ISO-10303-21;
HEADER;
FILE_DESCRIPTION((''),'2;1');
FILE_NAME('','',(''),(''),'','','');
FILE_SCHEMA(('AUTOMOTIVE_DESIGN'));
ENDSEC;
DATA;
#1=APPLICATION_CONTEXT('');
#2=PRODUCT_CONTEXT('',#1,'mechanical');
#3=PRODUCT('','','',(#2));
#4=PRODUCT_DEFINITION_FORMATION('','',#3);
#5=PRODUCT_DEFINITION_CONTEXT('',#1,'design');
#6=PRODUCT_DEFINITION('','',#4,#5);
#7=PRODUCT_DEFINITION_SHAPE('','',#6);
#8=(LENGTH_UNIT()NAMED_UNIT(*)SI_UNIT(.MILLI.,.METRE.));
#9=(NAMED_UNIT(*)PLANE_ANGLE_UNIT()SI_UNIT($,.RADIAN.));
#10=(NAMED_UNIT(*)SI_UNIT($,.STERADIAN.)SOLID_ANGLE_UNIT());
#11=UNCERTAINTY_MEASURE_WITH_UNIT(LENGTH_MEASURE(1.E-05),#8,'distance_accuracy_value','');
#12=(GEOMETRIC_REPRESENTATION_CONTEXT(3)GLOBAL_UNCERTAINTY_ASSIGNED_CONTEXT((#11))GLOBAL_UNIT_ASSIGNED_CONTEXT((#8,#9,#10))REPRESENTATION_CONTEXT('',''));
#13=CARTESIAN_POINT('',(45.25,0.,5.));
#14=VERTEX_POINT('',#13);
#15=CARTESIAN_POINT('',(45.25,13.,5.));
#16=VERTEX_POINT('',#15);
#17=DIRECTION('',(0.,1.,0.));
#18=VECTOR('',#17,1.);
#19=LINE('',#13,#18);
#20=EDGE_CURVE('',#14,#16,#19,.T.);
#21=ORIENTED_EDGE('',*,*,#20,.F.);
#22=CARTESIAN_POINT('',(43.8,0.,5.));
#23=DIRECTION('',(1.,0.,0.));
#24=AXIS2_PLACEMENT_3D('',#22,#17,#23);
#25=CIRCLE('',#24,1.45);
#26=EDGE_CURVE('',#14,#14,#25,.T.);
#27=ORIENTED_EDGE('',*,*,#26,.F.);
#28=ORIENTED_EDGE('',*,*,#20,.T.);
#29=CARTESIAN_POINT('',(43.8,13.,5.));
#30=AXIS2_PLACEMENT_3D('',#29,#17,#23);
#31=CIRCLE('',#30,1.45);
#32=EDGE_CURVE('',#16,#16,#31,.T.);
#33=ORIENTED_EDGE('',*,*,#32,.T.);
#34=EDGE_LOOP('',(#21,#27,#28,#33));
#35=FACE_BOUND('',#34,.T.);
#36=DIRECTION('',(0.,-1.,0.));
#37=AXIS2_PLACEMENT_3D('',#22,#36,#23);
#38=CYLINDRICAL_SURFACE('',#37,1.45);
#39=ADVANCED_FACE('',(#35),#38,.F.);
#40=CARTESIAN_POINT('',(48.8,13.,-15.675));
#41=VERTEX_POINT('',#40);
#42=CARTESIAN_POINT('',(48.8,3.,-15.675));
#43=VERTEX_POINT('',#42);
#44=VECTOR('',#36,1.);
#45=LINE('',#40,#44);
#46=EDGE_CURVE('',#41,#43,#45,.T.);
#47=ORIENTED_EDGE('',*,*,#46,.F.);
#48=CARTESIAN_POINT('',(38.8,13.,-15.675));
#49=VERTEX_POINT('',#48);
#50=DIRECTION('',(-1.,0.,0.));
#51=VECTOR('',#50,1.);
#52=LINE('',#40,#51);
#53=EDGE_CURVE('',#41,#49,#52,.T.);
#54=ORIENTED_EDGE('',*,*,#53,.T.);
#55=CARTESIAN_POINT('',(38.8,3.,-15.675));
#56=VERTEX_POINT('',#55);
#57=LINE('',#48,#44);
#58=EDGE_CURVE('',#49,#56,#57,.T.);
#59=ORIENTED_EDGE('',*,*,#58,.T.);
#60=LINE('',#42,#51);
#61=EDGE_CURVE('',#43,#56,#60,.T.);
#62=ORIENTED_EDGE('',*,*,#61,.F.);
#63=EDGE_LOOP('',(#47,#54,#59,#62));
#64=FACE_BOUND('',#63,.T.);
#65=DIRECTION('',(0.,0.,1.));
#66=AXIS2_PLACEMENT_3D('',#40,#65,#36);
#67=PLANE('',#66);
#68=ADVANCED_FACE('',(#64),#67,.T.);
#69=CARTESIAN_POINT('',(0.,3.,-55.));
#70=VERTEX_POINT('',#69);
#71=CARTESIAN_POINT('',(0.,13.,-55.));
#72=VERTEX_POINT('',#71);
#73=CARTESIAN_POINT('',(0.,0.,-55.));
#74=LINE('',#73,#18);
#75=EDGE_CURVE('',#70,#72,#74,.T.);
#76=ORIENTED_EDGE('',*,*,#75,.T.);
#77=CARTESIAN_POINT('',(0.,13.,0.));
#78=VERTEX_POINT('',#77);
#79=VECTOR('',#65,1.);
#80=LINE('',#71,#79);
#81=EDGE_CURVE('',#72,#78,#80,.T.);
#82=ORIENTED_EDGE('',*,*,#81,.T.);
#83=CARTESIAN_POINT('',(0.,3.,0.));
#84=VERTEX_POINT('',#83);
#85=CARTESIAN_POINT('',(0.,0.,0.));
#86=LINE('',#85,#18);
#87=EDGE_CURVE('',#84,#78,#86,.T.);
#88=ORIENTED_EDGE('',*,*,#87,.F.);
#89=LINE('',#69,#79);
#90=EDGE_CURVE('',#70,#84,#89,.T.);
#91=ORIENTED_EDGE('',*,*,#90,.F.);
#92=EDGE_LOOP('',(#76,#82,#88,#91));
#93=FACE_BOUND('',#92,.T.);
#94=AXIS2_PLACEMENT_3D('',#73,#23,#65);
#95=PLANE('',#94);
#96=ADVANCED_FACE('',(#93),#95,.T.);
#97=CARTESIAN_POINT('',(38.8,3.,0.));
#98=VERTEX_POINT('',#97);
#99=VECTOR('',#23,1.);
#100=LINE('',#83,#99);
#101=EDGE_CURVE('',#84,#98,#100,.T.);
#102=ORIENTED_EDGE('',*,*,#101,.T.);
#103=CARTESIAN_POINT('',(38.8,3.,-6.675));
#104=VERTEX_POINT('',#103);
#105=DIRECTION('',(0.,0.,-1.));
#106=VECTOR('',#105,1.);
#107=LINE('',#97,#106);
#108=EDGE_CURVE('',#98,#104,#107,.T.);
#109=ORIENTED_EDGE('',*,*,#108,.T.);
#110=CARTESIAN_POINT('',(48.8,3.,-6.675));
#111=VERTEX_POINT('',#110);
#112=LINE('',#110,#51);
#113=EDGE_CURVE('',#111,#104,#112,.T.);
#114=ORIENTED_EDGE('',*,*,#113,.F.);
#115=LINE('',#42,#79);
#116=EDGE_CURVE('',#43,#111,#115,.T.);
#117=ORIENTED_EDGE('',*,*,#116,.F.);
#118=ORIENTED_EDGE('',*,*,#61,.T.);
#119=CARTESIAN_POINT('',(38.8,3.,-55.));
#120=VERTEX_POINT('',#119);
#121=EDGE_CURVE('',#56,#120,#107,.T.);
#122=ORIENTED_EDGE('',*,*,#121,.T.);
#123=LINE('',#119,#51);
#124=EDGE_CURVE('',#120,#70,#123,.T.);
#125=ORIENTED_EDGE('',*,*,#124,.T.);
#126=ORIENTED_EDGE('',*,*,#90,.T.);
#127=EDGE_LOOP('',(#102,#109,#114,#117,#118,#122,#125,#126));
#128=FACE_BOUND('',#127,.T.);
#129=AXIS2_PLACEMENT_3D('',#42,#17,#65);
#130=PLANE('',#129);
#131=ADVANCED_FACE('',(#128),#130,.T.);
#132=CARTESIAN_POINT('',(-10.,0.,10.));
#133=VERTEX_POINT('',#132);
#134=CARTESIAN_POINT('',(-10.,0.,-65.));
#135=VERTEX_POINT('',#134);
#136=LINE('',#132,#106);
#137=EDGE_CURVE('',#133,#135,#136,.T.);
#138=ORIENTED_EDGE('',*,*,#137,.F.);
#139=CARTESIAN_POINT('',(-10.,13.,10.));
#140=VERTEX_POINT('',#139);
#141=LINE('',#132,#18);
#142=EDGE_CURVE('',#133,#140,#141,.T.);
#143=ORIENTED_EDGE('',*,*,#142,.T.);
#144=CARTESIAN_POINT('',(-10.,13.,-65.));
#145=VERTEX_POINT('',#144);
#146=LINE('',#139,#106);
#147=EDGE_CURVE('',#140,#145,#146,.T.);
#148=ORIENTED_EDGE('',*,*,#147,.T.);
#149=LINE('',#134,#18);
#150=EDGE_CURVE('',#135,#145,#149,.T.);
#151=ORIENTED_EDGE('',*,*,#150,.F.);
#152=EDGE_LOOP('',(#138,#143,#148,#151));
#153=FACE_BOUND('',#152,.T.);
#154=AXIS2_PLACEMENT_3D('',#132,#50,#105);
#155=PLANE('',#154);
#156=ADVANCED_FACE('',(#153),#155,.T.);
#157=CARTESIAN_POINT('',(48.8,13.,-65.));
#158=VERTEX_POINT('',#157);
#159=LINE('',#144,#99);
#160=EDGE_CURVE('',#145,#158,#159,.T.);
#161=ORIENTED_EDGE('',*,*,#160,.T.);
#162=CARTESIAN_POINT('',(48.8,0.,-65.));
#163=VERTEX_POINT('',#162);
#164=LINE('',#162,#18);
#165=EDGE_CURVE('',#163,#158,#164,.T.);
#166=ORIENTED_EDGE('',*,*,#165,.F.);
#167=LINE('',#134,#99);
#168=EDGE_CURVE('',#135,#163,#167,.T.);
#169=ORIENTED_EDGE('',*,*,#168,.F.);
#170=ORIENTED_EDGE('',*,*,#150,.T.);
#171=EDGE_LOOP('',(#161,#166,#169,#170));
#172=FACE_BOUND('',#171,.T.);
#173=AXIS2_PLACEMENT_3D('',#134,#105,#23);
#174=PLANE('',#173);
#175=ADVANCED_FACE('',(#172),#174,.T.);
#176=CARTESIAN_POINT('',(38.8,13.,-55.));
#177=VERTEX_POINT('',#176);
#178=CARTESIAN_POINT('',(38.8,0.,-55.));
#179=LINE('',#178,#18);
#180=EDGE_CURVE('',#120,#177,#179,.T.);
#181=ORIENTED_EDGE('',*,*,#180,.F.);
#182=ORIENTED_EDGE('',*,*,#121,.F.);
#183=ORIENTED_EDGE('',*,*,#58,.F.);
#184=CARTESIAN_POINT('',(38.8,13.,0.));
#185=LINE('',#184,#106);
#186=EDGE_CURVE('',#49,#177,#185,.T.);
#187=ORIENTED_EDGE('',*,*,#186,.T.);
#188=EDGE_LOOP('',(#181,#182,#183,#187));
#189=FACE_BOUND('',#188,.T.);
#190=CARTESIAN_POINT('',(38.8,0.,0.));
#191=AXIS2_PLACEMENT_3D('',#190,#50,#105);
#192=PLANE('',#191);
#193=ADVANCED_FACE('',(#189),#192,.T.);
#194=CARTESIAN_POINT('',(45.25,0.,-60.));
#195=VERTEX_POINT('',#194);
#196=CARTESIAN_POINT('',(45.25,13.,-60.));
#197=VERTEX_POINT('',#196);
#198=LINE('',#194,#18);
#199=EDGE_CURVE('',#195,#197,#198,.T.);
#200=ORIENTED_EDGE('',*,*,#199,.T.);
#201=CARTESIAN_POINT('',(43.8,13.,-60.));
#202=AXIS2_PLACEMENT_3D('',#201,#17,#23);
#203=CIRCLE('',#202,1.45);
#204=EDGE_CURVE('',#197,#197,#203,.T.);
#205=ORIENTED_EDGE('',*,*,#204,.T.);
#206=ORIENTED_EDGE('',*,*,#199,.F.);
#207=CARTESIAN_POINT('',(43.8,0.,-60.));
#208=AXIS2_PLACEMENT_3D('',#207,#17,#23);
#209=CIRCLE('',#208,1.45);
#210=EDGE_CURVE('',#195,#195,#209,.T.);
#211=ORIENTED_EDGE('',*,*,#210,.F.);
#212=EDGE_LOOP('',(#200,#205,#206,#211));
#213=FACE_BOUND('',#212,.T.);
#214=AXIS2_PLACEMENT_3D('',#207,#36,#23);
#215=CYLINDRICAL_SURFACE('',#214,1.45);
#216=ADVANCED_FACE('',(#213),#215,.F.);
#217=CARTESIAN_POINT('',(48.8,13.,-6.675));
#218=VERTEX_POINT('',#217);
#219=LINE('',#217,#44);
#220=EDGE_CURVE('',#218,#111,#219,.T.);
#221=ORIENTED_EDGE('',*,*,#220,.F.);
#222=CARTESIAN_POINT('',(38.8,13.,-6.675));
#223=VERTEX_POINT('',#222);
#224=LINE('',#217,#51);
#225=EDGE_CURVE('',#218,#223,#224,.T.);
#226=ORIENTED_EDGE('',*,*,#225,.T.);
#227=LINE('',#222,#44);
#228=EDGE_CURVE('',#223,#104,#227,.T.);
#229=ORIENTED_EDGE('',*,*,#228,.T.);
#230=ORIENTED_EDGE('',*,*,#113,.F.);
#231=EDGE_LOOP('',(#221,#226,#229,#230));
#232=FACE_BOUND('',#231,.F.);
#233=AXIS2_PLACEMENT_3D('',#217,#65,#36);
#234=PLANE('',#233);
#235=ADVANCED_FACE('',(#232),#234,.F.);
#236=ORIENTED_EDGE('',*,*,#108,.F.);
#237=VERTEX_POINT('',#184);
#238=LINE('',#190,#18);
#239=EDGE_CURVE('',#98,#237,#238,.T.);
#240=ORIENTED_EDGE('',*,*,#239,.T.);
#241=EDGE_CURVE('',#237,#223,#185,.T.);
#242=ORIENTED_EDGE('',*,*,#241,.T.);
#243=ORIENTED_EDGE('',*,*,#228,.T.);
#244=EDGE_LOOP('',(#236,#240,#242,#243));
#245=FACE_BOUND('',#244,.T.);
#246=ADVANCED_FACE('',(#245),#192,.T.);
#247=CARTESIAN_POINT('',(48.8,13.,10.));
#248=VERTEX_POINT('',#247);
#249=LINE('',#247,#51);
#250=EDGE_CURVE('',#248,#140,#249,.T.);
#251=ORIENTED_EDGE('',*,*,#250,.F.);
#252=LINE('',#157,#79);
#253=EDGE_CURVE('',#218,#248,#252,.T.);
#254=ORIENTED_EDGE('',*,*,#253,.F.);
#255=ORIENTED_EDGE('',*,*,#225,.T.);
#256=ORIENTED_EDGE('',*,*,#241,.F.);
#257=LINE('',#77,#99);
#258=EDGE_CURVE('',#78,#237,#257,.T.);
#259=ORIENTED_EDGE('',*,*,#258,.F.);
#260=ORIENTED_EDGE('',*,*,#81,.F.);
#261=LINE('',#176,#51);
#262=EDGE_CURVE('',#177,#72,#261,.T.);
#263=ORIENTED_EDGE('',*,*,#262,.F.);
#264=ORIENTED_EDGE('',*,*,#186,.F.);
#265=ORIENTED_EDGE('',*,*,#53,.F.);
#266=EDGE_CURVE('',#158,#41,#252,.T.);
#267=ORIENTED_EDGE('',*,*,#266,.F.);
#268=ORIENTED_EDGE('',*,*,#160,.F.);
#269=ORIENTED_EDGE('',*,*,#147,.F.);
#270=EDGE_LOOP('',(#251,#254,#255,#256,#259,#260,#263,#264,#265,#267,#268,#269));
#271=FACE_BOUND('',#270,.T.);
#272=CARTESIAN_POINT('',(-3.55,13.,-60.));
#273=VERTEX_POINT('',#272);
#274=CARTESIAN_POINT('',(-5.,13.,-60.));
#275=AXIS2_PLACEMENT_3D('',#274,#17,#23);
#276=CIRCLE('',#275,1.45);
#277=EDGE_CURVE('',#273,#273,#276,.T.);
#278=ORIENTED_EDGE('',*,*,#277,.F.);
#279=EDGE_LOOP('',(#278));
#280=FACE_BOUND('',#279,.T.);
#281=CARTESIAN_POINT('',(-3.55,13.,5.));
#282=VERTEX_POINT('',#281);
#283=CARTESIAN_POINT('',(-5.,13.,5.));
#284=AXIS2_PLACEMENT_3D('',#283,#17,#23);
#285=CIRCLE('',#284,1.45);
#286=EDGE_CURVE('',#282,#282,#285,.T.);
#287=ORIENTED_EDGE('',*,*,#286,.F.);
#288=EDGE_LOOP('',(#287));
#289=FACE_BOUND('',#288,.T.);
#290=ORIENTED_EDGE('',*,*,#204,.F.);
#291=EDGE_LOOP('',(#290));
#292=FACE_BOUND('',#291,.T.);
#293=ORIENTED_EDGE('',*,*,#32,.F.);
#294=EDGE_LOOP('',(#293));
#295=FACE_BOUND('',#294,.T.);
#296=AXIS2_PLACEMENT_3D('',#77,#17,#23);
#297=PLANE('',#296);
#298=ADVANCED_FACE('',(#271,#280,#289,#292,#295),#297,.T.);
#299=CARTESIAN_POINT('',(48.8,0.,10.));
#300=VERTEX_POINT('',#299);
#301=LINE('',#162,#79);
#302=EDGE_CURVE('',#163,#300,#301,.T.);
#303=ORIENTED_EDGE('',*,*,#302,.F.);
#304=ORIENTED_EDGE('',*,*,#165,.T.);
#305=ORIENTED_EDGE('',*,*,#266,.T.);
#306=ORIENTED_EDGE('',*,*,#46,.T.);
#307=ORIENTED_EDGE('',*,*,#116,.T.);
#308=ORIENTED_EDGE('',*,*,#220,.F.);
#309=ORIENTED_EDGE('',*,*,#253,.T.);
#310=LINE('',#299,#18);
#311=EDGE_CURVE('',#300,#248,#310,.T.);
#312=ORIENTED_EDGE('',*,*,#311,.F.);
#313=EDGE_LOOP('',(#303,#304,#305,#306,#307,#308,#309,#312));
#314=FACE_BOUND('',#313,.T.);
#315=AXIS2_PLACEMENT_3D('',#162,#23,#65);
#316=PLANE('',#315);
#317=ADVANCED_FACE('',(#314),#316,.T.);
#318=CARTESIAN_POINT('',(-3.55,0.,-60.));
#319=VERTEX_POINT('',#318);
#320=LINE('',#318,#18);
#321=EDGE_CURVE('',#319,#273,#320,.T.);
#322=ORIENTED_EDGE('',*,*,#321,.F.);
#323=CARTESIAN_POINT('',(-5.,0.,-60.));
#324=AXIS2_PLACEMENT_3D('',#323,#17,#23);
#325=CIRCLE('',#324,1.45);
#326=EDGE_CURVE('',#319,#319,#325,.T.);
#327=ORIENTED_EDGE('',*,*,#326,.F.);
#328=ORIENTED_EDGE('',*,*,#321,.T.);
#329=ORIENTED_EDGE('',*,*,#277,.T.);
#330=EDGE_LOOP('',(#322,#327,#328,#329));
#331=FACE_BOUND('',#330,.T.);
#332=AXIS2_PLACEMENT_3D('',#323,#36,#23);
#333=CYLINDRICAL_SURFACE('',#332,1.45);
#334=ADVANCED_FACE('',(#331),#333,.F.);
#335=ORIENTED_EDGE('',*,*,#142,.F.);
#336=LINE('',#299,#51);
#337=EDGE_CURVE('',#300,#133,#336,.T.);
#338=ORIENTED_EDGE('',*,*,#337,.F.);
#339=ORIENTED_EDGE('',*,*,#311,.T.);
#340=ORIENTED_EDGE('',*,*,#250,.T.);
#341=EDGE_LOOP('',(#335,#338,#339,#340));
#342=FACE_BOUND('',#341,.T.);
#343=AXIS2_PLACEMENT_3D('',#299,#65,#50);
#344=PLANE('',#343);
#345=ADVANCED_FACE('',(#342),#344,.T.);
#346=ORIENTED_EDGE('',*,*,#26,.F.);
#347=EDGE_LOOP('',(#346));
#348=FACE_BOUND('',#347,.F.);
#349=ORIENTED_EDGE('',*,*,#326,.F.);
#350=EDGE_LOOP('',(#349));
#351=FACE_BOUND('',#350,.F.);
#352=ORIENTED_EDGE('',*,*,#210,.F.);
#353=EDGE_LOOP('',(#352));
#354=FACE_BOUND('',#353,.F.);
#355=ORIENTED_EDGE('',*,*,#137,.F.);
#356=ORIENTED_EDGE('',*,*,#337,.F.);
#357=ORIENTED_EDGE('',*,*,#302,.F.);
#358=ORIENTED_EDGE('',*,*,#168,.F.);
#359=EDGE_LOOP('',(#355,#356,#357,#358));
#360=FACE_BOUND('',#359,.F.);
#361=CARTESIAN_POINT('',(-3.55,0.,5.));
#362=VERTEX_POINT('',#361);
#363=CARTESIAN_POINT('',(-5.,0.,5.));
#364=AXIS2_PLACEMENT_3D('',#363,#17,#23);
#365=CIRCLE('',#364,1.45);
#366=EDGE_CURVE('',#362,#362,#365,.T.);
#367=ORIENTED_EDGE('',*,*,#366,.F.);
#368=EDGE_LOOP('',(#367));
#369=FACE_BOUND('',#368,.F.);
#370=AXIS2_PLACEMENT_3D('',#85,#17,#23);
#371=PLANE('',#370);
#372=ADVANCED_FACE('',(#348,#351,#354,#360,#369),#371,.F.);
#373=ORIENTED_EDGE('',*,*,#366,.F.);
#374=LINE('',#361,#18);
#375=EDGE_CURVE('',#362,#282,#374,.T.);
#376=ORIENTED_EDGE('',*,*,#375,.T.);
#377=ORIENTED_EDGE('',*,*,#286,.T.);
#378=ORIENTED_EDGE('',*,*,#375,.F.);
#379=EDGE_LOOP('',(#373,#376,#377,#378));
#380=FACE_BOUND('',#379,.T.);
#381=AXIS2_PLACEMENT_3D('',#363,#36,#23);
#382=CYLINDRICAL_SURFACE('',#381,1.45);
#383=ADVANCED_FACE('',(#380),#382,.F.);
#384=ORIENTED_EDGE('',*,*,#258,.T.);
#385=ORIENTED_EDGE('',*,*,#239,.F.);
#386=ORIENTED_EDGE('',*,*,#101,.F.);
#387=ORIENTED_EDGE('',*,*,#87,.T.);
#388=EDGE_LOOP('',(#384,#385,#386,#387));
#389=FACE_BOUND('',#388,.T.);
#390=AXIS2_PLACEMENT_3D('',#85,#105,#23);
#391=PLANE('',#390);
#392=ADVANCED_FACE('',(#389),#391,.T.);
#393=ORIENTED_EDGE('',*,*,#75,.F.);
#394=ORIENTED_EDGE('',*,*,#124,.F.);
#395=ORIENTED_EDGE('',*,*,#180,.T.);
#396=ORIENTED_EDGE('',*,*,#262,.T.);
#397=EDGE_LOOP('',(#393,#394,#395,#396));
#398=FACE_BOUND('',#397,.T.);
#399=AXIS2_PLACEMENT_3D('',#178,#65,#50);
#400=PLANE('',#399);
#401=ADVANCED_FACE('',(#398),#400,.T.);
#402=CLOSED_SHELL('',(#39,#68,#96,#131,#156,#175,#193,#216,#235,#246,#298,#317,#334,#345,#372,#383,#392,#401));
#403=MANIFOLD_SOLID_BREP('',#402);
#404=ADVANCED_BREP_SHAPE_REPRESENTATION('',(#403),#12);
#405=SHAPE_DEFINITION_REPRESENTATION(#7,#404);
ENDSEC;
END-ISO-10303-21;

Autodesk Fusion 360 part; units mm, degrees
sketch "Sketch1" plane through (0, 0, 0) normal (0, 1, 0) x (1, 0, 0)
  line L0 (0, 0) -> (38.8, 0)
  line L1 (38.8, 0) -> (38.8, 55)
  line L2 (38.8, 55) -> (0, 55)
  line L3 (0, 55) -> (0, 0)
  line L4 (-10, 65) -> (48.8, 65)
  line L5 (48.8, 65) -> (48.8, -10)
  line L6 (48.8, -10) -> (-10, -10)
  line L7 (-10, -10) -> (-10, 65)
  circle A0 centre (-5, 60) radius 1.45
  circle A1 centre (43.8, 60) radius 1.45
  circle A2 centre (-5, -5) radius 1.45
  circle A3 centre (43.8, -5) radius 1.45
  dimension "d1" = 55
  dimension "d2" = 38.8
  dimension "d3" = 10
  dimension "d4" = 10
  dimension "d5" = 10
  dimension "d6" = 10
  dimension "d7" = 2.9
  dimension "d8" = 2.9
  dimension "d9" = 2.9
  dimension "d10" = 2.9
  dimension "d11" = 5
  dimension "d12" = 5
  dimension "d13" = 5
  dimension "d14" = 5
  dimension "d15" = 5
  dimension "d16" = 5
  dimension "d17" = 5
  dimension "d18" = 5
extrude "Extrude1" add sketch "Sketch1" along normal blind 3 contours L0 L1 L2 L3
extrude "Extrude2" add sketch "Sketch1" along normal blind 13
sketch "Sketch2" plane through (48.8, 0, 0) normal (1, 0, 0) x (0, 0, -1)
  line L0 (-10, 0) -> (65, 0)
  line L1 (65, 0) -> (65, 13)
  line L2 (65, 13) -> (-10, 13)
  line L3 (-10, 13) -> (-10, 0)
  line L4 (-10, 13) -> (0, 13)
  line L5 (0, 0) -> (-10, 0)
  line L6 (-10, 0) -> (-10, 13)
  line L7 (0, 13) -> (6.675, 13)
  line L8 (6.675, 13) -> (6.675, 0)
  line L9 (6.675, 0) -> (0, 0)
  line L10 (6.675, 13) -> (15.675, 13)
  line L11 (15.675, 13) -> (15.675, 3)
  line L12 (15.675, 3) -> (6.675, 3)
  line L13 (6.675, 3) -> (6.675, 13)
  line L14 (65, 0) -> (-10, 0)
  dimension "d23" = 6.675
  dimension "d24" = 9
  dimension "d25" = 3
extrude "Extrude3" cut sketch "Sketch2" against normal blind 10 contours L2 L8 L10 L11 L12 L13
